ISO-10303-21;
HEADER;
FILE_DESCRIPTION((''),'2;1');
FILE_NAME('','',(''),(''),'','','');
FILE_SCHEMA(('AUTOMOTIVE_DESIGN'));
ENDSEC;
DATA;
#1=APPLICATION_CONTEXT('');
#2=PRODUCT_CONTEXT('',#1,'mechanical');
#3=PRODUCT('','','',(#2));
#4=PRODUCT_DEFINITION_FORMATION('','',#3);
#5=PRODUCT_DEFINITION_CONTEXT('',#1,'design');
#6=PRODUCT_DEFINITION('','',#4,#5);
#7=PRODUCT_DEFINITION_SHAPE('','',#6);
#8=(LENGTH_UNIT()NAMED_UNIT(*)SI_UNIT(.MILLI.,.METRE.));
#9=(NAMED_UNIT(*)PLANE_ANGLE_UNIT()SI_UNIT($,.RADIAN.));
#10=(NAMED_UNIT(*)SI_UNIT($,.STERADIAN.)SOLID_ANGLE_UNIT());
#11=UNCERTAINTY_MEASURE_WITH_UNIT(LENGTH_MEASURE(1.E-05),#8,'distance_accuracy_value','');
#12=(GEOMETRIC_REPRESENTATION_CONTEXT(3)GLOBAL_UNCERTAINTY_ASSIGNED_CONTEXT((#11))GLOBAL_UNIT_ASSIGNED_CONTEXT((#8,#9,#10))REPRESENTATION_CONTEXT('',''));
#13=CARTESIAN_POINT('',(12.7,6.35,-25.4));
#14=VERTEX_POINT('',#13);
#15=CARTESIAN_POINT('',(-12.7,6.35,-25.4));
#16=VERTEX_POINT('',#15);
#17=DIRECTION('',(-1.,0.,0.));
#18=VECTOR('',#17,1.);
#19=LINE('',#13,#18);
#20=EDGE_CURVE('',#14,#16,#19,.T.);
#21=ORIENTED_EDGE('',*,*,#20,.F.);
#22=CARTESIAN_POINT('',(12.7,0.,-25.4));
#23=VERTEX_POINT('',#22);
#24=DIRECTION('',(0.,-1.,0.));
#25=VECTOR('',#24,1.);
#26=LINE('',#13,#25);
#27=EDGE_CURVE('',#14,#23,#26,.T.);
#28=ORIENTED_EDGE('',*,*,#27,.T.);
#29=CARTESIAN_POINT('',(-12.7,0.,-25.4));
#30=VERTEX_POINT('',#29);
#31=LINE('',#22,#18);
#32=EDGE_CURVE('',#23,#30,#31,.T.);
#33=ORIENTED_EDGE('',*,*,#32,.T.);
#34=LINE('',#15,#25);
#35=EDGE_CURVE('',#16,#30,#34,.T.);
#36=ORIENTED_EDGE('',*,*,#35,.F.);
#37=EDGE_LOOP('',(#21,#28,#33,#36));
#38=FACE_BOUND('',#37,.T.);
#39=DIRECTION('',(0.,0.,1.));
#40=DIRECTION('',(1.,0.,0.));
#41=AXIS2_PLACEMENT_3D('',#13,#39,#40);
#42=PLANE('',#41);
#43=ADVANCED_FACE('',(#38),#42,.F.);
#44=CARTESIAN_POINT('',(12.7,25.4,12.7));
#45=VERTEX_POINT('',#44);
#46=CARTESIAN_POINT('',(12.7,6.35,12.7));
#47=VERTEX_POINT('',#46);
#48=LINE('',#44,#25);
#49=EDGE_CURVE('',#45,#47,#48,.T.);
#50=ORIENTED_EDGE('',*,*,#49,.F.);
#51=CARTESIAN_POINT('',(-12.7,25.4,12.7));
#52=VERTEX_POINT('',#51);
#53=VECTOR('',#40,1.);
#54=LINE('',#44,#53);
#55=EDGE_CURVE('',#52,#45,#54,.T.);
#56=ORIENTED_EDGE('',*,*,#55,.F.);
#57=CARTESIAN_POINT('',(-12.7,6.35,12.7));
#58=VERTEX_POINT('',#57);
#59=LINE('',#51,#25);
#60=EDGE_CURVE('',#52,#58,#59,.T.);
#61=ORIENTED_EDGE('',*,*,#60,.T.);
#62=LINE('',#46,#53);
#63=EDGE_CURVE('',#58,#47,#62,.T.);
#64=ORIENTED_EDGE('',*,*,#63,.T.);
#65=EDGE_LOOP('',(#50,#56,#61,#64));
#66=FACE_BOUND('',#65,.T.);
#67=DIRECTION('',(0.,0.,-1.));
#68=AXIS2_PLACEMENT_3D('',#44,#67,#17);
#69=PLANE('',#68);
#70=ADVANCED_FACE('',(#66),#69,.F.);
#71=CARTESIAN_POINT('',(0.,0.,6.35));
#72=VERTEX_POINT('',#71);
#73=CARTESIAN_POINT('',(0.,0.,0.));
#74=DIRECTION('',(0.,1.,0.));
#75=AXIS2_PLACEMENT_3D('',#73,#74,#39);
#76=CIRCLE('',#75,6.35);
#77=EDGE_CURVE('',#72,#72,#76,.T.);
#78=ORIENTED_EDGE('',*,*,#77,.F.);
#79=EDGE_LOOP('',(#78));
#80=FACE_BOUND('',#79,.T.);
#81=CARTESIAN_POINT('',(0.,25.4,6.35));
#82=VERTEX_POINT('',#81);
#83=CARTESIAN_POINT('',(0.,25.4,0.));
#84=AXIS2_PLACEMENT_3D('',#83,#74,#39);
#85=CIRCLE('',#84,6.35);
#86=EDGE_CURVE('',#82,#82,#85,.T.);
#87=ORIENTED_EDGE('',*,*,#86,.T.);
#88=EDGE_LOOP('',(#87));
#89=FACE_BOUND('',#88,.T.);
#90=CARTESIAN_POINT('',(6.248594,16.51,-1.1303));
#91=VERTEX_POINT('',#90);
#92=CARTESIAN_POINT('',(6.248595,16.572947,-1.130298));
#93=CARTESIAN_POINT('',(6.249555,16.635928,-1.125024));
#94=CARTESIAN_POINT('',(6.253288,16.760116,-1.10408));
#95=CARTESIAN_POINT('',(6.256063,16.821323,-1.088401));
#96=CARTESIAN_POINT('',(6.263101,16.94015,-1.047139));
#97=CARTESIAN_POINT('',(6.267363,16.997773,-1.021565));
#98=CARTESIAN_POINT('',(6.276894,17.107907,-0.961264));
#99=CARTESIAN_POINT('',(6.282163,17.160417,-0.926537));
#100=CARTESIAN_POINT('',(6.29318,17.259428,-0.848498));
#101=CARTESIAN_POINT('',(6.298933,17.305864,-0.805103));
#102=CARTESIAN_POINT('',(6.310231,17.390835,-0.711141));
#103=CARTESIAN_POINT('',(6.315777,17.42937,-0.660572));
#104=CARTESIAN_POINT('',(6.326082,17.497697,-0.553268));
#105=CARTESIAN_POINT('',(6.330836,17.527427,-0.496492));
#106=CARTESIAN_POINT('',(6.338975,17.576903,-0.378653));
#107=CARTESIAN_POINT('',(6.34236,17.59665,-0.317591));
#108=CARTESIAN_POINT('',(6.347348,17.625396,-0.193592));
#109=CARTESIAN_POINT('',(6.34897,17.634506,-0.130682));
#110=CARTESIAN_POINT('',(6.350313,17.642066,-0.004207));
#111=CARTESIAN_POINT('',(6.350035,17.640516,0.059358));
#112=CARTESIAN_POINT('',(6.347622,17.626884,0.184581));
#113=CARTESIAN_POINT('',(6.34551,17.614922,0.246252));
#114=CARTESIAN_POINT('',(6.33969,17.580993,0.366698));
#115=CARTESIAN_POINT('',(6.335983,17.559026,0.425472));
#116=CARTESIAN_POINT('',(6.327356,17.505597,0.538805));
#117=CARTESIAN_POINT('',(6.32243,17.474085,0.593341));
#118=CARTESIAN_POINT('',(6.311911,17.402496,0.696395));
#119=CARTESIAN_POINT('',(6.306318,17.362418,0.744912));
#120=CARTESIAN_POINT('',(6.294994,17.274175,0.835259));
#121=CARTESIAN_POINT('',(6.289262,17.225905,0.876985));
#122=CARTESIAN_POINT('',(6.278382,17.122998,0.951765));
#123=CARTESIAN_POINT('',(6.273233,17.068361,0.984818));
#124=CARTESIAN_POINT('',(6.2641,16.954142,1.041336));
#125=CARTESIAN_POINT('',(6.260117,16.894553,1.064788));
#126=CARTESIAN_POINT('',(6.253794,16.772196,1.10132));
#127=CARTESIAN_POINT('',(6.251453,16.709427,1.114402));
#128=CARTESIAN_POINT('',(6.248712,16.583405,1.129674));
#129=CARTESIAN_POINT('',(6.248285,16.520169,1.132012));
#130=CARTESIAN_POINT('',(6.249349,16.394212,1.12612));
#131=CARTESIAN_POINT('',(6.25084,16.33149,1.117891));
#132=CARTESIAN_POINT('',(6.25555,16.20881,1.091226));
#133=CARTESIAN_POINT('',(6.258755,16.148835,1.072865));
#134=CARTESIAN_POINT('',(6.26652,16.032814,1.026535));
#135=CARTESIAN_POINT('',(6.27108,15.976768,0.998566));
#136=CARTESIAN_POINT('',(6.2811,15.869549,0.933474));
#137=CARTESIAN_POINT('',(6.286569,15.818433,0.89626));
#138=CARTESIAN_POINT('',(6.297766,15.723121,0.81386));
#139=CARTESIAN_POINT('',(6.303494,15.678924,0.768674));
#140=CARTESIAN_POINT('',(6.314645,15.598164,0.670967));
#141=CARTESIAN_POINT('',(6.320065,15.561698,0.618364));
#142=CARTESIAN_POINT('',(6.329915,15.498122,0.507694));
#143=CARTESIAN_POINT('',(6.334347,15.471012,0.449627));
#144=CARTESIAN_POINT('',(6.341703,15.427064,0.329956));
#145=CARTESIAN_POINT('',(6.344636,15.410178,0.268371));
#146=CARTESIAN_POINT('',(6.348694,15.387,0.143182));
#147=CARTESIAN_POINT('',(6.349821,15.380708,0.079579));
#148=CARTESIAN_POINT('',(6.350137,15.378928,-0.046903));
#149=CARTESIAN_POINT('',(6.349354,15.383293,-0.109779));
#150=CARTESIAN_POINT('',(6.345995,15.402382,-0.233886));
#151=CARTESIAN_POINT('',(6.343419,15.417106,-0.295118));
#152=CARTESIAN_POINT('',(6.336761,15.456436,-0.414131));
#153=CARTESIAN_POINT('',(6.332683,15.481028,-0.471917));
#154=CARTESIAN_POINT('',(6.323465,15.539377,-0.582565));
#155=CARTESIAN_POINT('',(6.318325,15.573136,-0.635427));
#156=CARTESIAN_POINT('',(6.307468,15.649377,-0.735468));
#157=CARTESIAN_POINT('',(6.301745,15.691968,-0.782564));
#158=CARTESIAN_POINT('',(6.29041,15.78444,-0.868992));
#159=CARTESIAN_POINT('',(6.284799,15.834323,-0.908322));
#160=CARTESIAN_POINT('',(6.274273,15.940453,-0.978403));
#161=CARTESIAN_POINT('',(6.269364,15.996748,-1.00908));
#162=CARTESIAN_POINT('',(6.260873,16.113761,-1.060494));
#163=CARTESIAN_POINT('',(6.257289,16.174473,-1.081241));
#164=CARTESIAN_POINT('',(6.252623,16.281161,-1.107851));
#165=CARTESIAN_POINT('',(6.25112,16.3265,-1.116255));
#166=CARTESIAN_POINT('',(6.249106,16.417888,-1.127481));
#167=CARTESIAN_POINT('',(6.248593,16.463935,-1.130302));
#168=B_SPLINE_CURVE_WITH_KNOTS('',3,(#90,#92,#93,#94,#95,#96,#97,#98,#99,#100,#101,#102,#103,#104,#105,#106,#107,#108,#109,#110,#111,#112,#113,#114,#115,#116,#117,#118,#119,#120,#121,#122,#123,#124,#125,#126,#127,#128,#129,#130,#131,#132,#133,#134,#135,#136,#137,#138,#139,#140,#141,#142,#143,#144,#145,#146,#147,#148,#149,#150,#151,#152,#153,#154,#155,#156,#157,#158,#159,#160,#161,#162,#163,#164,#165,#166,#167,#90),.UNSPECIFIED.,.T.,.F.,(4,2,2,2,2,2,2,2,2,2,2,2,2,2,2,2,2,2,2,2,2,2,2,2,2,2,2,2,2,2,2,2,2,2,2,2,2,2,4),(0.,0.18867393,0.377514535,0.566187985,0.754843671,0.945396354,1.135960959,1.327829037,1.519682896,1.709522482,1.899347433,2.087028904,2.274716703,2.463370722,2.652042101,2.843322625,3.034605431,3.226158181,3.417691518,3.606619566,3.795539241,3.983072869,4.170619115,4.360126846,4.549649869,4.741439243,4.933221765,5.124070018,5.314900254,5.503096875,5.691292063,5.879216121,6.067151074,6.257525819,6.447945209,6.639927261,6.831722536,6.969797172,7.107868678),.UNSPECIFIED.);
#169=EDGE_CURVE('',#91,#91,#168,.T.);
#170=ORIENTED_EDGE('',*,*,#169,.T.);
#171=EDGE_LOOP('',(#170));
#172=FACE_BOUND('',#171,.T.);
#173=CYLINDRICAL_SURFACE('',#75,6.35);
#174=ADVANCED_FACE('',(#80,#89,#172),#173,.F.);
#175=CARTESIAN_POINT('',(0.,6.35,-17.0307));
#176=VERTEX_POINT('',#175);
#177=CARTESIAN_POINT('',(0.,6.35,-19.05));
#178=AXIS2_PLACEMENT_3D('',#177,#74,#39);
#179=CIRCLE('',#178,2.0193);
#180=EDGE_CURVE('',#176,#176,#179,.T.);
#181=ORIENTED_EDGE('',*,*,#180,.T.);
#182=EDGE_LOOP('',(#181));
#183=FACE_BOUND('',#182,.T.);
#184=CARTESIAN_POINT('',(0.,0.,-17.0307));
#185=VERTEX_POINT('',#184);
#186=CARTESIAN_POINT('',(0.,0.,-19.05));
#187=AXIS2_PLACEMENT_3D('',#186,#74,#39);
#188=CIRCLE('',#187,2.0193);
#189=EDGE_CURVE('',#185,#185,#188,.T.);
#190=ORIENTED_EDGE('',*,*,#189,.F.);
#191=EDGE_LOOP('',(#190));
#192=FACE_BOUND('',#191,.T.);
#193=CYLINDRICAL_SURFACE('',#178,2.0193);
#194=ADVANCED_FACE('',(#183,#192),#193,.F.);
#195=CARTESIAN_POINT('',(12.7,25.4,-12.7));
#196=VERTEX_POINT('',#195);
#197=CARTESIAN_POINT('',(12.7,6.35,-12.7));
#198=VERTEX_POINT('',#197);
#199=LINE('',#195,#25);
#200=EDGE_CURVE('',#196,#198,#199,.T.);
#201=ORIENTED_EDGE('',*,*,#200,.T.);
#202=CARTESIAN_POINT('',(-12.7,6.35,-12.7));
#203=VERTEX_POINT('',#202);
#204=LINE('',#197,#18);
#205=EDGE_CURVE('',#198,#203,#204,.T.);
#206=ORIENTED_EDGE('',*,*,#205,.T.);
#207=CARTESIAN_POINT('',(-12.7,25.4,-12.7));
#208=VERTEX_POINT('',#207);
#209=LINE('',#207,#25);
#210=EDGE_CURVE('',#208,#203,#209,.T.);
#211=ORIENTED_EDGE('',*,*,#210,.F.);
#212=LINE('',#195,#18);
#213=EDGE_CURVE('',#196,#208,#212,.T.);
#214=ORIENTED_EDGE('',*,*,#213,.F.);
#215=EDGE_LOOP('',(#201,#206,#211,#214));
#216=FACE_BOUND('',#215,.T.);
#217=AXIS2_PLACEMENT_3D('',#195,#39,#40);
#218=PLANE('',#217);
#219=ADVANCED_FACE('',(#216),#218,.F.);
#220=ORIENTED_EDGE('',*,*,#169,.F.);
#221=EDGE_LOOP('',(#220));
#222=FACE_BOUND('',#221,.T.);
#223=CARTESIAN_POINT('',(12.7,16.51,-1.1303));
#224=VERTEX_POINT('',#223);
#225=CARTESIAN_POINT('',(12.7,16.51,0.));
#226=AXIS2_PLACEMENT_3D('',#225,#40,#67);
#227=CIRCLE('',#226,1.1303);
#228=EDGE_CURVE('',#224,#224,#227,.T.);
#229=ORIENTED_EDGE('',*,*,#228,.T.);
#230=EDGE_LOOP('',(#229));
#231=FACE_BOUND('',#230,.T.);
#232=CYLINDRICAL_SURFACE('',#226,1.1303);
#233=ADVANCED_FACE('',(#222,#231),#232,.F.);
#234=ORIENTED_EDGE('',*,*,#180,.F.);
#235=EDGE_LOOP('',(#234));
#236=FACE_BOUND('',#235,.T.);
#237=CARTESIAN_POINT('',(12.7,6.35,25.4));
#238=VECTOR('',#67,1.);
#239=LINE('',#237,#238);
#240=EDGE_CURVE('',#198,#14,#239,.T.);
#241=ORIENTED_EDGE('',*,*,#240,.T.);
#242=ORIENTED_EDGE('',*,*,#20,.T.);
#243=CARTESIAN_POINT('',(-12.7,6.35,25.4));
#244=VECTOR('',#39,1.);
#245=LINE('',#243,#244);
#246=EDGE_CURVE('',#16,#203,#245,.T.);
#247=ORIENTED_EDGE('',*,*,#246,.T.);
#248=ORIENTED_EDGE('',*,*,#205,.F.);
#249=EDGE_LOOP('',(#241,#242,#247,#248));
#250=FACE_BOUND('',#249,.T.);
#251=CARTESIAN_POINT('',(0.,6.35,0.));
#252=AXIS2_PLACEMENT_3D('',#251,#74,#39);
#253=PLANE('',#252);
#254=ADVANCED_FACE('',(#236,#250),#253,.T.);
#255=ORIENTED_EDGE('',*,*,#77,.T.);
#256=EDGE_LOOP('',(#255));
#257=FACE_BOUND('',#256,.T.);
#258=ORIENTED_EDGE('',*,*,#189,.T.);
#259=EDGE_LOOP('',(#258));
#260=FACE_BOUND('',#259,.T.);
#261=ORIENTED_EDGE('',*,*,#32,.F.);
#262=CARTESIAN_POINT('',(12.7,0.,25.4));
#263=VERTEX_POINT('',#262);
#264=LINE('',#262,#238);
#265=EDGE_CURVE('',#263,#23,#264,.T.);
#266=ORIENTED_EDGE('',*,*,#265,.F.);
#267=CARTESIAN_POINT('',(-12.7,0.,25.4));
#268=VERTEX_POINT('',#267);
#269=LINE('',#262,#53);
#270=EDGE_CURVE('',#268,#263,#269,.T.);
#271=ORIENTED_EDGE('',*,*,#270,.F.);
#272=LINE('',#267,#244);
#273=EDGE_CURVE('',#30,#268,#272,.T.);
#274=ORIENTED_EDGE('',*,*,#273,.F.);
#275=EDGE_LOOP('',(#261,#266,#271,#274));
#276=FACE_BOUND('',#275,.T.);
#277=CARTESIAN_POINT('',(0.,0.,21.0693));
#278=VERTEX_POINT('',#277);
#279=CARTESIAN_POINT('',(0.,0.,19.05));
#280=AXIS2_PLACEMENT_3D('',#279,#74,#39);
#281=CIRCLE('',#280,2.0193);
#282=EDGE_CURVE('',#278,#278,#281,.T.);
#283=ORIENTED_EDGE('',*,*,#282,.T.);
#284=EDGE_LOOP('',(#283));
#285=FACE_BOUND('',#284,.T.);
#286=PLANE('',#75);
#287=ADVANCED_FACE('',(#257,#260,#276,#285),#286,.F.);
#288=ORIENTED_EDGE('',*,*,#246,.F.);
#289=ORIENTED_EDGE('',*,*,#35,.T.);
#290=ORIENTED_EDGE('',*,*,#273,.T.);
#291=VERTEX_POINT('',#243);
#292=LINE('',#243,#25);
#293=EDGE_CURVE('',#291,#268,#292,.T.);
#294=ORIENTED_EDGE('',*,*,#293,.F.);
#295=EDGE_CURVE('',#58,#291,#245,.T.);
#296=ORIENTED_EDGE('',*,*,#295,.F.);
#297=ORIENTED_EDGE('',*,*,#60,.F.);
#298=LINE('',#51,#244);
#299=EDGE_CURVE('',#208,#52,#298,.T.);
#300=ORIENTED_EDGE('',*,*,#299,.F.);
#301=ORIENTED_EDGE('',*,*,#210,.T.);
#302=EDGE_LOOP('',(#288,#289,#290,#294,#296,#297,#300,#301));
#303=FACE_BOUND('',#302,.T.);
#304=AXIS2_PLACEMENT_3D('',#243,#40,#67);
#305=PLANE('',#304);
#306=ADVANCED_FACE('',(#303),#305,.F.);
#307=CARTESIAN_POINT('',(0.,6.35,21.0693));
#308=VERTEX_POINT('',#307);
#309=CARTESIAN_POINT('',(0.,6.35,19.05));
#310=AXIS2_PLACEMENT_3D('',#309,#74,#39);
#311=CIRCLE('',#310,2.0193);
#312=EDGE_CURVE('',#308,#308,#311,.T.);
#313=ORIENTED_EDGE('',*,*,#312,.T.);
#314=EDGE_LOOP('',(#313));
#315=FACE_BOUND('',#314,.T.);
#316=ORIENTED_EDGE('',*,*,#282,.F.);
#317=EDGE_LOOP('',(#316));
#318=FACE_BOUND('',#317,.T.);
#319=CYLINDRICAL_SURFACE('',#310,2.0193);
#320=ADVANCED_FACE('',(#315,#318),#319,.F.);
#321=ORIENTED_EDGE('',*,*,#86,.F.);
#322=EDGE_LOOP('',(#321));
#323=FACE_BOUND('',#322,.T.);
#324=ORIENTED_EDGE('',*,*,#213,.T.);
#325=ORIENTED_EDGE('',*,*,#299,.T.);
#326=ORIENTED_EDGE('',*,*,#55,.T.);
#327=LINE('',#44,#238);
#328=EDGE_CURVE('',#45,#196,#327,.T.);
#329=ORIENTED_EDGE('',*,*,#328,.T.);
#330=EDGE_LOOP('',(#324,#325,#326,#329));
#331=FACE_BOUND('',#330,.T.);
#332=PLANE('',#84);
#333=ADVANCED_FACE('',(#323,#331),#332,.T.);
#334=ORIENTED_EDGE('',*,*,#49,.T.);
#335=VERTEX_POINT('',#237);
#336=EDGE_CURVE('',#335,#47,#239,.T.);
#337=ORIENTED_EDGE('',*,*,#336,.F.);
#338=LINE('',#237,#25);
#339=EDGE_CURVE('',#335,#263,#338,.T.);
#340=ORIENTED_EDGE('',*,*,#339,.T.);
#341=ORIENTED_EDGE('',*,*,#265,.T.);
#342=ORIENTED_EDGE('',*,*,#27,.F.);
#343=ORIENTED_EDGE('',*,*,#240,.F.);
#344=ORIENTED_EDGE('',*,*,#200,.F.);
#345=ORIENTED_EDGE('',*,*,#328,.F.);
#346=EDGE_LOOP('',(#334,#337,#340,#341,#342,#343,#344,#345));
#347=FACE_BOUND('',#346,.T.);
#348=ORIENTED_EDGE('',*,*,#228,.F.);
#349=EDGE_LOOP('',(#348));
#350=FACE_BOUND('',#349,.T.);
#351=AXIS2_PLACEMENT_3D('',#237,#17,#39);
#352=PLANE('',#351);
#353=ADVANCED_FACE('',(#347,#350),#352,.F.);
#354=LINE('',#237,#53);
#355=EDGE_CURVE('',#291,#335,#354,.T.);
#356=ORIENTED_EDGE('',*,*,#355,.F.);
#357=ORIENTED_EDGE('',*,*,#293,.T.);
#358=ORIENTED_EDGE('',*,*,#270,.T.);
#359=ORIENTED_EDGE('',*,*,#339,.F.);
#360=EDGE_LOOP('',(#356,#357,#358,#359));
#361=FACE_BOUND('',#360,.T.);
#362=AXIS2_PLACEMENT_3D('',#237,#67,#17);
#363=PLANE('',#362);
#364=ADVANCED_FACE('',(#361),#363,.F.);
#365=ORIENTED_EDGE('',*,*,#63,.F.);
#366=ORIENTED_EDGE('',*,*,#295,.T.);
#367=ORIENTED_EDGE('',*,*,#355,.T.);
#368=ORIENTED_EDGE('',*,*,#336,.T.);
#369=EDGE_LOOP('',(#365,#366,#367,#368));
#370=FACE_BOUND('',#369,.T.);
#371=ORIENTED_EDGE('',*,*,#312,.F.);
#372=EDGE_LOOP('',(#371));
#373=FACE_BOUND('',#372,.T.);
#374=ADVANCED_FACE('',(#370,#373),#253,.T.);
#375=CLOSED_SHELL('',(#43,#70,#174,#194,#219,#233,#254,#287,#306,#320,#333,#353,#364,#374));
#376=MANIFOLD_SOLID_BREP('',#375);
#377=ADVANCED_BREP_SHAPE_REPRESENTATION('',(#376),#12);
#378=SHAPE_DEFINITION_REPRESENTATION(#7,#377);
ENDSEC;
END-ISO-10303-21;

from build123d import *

# Parameters (mm, degrees)
SKETCH1_W                  = 25.4
SKETCH1_H                  = 50.8
BOSS_EXTRUDE1_DEPTH        = 6.35
SKETCH2_W                  = 25.4
SKETCH2_H                  = 25.4
BOSS_EXTRUDE2_DEPTH        = 19.05
SKETCH3_R                  = 6.35
CUT_EXTRUDE1_DEPTH         = 39.1
F_10_32_TAPPED_HOLE1_D     = 4.0386
F_4_40_TAPPED_HOLE1_REACH  = 45.994
F_4_40_TAPPED_HOLE1_BORE_R = 1.1303


with BuildPart() as part:
    # Sketch1 → Boss-Extrude1 (new body)
    with BuildSketch(Plane(origin=(0, 0, 0), x_dir=(1, 0, 0), z_dir=(0, 1, 0))):
        Rectangle(SKETCH1_W, SKETCH1_H)
    extrude(amount=BOSS_EXTRUDE1_DEPTH)

    # Sketch2 → Boss-Extrude2 (add)
    with BuildSketch(Plane(origin=(0, 6.35, 0), x_dir=(1, 0, 0), z_dir=(0, 1, 0))):
        Rectangle(SKETCH2_W, SKETCH2_H)
    extrude(amount=BOSS_EXTRUDE2_DEPTH)

    # Sketch3 → Cut-Extrude1 (cut, through all)
    with BuildSketch(Plane(origin=(0, 25.4, 0), x_dir=(1, 0, 0), z_dir=(0, 1, 0))):
        with Locations(Location((0, 0, 0), (0, 0, 270))):
            Circle(SKETCH3_R)
    extrude(amount=-CUT_EXTRUDE1_DEPTH, mode=Mode.SUBTRACT)

    # #10-32 Tapped Hole1 (through all)
    with Locations(Plane(origin=(0, 6.35, 0), x_dir=(1, 0, 0), z_dir=(0, 1, 0))):
        with Locations((0, 19.05), (0, -19.05)):
            Hole(F_10_32_TAPPED_HOLE1_D / 2)

    # #4-40 Tapped Hole1 bore → #4-40 Tapped Hole1 (cut, up to next)
    with BuildSketch(Plane(origin=(12.7, 0, 0), x_dir=(0, 0, -1), z_dir=(1, 0, 0)), mode=Mode.PRIVATE) as f_4_40_tapped_hole1_sk1:
        with Locations((0, 16.51)):
            Circle(F_4_40_TAPPED_HOLE1_BORE_R)
    f_4_40_tapped_hole1_tool1 = extrude(f_4_40_tapped_hole1_sk1.sketch, amount=-F_4_40_TAPPED_HOLE1_REACH, mode=Mode.PRIVATE) & part.part
    add(f_4_40_tapped_hole1_tool1.solids().sort_by_distance((12.7, 16.51, 0))[0], mode=Mode.SUBTRACT)


solid = part.part
